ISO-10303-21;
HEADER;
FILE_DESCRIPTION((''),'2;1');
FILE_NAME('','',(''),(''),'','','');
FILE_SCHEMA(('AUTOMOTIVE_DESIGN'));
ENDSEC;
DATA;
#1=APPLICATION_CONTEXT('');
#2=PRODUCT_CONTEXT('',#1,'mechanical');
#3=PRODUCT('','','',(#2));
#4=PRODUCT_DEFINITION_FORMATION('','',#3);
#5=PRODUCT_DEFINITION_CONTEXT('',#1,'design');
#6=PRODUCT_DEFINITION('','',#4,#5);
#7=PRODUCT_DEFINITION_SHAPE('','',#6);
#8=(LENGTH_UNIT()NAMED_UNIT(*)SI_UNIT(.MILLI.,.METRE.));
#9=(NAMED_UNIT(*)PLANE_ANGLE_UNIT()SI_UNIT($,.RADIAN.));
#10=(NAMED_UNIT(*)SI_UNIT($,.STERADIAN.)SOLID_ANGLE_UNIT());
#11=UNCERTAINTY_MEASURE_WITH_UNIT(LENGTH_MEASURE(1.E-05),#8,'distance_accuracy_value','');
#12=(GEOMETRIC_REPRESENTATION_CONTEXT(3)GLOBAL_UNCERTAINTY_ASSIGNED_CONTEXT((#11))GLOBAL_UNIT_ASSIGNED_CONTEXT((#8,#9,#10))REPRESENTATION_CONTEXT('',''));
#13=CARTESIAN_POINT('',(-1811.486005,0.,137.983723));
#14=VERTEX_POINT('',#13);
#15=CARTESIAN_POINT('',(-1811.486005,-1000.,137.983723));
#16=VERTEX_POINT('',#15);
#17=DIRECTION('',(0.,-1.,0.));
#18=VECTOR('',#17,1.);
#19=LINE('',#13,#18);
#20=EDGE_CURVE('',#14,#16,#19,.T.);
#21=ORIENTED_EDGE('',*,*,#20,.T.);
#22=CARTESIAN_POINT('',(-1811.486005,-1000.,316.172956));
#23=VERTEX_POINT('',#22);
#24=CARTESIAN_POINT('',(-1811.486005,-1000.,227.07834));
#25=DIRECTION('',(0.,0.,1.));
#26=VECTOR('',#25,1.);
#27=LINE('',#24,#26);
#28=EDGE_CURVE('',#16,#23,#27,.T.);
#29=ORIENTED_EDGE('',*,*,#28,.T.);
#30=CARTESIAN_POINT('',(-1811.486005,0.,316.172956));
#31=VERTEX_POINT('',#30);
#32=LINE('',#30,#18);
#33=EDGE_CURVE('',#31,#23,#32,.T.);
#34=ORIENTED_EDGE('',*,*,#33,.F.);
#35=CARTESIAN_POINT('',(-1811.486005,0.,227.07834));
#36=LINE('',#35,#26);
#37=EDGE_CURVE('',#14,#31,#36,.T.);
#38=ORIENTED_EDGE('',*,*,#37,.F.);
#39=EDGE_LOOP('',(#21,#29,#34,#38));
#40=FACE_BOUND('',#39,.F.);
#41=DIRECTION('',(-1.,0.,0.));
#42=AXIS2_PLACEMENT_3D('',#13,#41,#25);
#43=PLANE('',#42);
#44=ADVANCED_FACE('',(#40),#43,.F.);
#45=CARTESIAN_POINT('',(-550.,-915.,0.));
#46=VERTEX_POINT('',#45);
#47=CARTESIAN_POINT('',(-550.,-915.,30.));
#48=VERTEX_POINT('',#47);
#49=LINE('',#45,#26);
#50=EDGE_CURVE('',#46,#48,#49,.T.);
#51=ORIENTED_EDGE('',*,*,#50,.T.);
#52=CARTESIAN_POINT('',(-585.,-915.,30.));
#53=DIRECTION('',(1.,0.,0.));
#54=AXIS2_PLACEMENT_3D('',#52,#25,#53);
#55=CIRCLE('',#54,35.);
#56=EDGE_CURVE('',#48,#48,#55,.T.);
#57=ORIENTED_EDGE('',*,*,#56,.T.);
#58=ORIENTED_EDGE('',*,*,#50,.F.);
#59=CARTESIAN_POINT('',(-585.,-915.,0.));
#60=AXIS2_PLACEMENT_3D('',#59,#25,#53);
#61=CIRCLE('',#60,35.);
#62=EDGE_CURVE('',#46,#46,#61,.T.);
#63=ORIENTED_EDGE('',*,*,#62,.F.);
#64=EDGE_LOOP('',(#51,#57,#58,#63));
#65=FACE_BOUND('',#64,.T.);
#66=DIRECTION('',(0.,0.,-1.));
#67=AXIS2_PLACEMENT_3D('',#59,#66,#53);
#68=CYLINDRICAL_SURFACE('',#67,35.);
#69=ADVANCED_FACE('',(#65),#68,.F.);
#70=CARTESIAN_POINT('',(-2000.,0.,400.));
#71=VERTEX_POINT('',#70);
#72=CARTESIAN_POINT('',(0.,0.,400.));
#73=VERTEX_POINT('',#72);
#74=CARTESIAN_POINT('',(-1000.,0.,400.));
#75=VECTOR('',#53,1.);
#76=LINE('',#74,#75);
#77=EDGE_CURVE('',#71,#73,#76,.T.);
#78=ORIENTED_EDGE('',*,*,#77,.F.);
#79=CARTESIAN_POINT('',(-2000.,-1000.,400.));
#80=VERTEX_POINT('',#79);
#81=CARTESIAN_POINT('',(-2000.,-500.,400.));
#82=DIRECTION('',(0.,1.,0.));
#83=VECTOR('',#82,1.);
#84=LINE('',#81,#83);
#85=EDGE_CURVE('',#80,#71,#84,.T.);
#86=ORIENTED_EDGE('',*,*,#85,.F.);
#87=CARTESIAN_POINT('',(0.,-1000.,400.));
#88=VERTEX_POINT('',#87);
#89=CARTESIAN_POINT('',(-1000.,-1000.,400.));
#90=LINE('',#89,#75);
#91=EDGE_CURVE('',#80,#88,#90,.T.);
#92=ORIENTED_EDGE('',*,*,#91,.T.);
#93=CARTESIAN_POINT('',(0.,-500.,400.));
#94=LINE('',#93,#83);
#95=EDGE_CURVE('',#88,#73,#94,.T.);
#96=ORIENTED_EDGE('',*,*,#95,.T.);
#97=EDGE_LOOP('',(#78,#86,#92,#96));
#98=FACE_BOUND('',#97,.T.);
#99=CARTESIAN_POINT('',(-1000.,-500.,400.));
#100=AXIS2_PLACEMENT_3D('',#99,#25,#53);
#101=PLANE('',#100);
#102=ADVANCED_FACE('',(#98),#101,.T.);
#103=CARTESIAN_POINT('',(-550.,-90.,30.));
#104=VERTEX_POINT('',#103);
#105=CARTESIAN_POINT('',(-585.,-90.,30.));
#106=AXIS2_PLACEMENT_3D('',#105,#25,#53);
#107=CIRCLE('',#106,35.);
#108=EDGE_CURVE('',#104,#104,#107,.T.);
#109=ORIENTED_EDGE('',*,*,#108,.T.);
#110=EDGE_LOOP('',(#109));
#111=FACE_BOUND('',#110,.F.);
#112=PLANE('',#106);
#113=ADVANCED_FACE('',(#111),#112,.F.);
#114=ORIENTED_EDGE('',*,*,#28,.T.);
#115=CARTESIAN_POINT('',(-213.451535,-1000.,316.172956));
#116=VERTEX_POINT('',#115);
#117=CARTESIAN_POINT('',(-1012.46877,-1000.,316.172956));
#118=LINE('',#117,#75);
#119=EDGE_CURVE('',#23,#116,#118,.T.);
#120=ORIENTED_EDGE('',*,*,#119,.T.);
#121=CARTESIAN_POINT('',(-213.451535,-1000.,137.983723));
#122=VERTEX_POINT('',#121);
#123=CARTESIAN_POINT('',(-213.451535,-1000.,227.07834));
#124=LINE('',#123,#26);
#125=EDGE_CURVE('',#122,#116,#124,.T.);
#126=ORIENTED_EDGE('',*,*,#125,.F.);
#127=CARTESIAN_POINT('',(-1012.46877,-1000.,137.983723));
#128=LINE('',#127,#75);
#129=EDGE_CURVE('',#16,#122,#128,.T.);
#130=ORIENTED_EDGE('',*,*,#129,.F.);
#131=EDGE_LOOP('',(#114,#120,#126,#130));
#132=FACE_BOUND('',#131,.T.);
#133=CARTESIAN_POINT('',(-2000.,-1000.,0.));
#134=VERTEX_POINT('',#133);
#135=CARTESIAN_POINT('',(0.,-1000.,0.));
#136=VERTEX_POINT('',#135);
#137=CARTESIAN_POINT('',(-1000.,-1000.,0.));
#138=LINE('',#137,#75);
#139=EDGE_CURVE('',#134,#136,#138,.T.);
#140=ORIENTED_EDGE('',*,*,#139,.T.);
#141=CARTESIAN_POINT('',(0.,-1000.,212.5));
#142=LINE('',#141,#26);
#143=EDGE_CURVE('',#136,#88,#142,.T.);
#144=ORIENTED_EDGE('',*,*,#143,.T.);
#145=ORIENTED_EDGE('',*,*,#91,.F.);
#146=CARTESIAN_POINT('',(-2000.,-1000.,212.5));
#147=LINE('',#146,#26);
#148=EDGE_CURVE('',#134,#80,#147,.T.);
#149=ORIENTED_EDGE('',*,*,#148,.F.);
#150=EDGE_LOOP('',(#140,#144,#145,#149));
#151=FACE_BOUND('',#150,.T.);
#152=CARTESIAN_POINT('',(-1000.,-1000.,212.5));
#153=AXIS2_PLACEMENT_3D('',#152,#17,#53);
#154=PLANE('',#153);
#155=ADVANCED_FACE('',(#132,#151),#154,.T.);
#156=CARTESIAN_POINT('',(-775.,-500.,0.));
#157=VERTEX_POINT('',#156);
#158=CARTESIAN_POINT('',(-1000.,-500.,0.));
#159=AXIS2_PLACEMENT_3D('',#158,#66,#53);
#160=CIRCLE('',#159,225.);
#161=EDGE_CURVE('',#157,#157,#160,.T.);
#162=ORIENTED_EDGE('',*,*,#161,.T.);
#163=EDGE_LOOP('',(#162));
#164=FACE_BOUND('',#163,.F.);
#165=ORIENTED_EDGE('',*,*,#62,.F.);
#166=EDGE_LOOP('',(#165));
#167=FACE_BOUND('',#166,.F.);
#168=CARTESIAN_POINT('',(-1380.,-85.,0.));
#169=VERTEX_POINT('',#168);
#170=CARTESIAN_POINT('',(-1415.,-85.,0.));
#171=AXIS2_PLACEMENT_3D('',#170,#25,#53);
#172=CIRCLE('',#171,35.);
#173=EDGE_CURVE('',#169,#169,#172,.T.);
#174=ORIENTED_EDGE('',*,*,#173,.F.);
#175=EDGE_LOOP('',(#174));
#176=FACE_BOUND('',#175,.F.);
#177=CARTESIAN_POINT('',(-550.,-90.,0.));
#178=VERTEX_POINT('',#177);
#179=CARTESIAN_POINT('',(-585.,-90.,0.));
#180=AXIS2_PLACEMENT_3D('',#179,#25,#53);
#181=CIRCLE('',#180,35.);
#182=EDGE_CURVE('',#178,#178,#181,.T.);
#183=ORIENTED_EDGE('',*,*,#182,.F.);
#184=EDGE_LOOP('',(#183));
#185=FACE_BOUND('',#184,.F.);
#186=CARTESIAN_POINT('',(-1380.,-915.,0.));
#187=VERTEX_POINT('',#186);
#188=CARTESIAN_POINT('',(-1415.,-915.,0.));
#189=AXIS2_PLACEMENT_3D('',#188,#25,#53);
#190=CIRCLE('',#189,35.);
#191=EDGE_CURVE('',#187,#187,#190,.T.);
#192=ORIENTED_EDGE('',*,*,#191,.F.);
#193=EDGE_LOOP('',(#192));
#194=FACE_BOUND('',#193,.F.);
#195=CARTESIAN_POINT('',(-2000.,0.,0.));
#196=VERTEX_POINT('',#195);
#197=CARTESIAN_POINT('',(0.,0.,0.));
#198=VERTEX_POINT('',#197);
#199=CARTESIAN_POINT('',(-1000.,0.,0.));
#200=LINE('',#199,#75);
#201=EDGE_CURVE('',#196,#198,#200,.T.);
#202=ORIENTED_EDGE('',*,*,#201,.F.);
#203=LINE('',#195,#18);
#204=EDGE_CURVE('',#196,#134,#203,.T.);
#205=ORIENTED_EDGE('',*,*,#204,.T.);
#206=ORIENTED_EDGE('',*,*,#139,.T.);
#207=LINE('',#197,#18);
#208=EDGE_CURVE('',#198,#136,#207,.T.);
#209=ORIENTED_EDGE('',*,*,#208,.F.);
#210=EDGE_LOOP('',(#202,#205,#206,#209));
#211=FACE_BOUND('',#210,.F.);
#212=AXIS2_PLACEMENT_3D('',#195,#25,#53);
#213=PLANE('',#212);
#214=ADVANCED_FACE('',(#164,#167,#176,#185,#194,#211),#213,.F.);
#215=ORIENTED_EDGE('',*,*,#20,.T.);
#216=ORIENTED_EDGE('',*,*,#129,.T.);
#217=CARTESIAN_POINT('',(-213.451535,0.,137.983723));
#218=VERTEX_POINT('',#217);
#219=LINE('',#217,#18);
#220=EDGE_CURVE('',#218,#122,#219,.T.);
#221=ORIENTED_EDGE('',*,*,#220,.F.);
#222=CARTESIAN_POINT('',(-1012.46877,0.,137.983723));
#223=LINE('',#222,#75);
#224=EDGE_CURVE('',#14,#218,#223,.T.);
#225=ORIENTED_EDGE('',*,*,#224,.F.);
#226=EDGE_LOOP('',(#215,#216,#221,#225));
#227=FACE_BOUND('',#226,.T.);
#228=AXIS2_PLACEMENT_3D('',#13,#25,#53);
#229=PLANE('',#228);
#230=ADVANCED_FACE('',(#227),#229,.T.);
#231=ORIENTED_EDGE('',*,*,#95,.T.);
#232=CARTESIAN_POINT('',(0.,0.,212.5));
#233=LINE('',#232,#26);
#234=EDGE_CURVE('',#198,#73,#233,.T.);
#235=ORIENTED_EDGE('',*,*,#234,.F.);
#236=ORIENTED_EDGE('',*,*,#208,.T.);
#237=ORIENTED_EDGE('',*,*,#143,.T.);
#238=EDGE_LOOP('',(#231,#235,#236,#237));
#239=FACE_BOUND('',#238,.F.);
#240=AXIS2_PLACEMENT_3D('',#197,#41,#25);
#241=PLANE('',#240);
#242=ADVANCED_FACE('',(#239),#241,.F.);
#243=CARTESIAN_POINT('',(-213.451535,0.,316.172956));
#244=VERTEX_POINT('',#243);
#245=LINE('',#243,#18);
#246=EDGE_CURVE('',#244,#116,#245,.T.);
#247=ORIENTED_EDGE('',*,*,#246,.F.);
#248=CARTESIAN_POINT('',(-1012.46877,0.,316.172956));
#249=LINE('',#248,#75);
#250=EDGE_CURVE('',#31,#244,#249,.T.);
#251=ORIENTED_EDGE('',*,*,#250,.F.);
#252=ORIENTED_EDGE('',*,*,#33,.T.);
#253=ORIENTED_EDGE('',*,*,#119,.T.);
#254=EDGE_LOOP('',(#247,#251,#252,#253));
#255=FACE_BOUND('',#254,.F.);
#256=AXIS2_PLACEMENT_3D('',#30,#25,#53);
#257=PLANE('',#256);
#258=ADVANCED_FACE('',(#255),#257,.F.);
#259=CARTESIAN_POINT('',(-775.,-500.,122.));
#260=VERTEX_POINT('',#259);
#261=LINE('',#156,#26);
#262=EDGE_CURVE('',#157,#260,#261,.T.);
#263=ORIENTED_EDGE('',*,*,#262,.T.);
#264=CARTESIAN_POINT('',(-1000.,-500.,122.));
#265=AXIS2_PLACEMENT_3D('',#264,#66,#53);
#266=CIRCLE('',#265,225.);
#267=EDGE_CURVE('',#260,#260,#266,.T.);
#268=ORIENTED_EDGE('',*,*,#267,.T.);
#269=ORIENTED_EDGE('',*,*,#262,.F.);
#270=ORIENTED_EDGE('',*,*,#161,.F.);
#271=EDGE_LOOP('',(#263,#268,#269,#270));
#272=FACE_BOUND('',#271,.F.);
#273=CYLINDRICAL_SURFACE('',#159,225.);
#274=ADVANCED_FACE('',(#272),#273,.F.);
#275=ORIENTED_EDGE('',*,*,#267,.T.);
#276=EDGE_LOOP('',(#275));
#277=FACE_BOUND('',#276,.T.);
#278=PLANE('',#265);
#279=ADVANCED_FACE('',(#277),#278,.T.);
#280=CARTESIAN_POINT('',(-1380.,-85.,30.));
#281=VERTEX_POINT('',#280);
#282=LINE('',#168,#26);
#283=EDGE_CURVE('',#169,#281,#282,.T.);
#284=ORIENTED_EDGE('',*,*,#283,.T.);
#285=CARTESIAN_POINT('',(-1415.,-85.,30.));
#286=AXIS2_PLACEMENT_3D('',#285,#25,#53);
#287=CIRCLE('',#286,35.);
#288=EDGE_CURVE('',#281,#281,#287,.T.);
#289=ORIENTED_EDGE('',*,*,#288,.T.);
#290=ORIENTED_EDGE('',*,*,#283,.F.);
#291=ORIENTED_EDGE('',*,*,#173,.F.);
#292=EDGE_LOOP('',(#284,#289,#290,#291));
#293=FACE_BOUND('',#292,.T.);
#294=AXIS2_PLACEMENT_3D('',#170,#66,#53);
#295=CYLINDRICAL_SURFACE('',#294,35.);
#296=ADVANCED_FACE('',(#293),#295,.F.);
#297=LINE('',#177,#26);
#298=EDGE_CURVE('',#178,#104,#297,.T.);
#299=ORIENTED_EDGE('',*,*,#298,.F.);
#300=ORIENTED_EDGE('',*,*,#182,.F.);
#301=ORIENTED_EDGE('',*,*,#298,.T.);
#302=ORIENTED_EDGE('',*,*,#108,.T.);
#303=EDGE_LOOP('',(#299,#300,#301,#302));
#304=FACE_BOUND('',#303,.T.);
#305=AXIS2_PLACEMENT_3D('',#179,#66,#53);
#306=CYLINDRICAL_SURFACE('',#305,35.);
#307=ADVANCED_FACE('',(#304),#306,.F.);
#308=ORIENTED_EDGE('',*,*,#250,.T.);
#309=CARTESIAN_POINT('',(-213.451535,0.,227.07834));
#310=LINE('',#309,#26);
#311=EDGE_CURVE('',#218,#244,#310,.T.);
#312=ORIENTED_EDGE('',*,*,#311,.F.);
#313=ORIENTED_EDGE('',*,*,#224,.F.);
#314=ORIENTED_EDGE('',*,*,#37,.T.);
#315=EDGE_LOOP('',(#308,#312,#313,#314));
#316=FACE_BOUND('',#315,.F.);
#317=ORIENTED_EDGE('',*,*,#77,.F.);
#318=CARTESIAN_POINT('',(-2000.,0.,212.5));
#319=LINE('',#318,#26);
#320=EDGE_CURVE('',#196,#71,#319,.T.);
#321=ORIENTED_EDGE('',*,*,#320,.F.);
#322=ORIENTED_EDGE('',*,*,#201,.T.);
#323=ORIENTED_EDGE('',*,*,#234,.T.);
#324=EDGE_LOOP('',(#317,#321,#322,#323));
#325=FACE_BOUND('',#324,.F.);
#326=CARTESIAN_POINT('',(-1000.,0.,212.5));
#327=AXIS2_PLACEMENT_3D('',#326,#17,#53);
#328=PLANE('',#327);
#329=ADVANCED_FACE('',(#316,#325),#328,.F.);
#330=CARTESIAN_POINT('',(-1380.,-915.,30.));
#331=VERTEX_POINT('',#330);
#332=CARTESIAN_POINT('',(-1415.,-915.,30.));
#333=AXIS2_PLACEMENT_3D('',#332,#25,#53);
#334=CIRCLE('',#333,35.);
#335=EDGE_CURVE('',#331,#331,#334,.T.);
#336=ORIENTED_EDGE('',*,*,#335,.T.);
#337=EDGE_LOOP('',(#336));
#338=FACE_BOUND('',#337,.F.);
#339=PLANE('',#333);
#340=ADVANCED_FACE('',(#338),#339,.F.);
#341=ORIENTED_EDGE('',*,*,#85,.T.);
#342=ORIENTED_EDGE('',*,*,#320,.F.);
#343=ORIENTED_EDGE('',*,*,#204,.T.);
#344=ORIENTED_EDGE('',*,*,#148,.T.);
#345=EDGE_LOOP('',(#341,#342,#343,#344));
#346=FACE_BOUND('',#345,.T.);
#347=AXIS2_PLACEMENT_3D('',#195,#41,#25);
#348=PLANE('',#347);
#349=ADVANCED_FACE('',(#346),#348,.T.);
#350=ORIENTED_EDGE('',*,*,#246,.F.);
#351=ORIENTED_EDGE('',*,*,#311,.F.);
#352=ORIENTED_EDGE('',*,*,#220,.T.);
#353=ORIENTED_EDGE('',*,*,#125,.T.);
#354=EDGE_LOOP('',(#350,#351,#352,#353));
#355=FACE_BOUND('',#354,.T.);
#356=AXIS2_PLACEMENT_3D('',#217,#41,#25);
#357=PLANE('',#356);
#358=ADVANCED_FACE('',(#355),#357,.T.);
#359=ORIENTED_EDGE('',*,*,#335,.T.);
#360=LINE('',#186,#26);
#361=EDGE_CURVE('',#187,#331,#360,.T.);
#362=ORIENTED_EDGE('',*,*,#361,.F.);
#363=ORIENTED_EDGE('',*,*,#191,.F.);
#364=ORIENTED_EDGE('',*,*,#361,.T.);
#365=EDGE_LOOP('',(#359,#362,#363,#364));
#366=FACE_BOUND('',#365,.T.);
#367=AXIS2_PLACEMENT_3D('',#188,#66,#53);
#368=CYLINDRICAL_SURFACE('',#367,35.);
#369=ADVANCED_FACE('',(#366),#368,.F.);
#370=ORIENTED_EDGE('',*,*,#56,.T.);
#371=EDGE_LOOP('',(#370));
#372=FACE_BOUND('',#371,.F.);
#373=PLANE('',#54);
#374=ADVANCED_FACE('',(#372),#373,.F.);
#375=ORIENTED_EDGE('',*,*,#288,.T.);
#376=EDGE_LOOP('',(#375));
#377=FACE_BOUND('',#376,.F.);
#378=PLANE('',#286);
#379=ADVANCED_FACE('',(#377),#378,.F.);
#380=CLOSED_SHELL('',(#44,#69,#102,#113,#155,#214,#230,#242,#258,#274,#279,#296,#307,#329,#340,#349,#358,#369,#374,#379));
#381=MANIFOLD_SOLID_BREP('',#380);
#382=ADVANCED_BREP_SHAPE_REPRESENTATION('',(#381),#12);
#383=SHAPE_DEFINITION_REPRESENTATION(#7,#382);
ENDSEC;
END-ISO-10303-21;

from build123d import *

# Parameters (mm, degrees)
F0_W      = 2000
F0_H      = 425
F0_W_2    = 1598.034471
F0_H_2    = 178.189233
F1_DEPTH  = 1000
F1_FACE_W = 2000
F1_FACE_H = 1000
F2_DEPTH  = 25
F3_R      = 35
F4_DEPTH  = 30
F5_R      = 225
F6_DEPTH  = 122


with BuildPart() as f1:
    # F0 (on Front) → F1 (new body)
    with BuildSketch(Plane.XZ):
        with Locations((-1000, 212.5)):
            Rectangle(F0_W, F0_H)
        with Locations((-1012.46877, 227.07834)):
            Rectangle(F0_W_2, F0_H_2, mode=Mode.SUBTRACT)
    extrude(amount=F1_DEPTH)

    # F1_face (on face) → F2 (cut)
    with BuildSketch(Plane(origin=(-1000, -500, 425), x_dir=(1, 0, 0), z_dir=(0, 0, 1))):
        Rectangle(F1_FACE_W, F1_FACE_H)
    extrude(amount=-F2_DEPTH, mode=Mode.SUBTRACT)

    # F3 (on Top) → F4 (cut)
    with BuildSketch(Plane.XY):
        with Locations((-1415, -85)):
            Circle(F3_R)
        with Locations((-1415, -915)):
            Circle(F3_R)
        with Locations((-585, -915)):
            Circle(F3_R)
        with Locations((-585, -90)):
            Circle(F3_R)
    extrude(amount=F4_DEPTH, mode=Mode.SUBTRACT)

    # F5 (on face) → F6 (cut)
    with BuildSketch(Plane(origin=(0, 0, 0), x_dir=(1, 0, 0), z_dir=(0, 0, -1))):
        with Locations((-1000, 500)):
            Circle(F5_R)
    extrude(amount=-F6_DEPTH, mode=Mode.SUBTRACT)


solid = f1.part
